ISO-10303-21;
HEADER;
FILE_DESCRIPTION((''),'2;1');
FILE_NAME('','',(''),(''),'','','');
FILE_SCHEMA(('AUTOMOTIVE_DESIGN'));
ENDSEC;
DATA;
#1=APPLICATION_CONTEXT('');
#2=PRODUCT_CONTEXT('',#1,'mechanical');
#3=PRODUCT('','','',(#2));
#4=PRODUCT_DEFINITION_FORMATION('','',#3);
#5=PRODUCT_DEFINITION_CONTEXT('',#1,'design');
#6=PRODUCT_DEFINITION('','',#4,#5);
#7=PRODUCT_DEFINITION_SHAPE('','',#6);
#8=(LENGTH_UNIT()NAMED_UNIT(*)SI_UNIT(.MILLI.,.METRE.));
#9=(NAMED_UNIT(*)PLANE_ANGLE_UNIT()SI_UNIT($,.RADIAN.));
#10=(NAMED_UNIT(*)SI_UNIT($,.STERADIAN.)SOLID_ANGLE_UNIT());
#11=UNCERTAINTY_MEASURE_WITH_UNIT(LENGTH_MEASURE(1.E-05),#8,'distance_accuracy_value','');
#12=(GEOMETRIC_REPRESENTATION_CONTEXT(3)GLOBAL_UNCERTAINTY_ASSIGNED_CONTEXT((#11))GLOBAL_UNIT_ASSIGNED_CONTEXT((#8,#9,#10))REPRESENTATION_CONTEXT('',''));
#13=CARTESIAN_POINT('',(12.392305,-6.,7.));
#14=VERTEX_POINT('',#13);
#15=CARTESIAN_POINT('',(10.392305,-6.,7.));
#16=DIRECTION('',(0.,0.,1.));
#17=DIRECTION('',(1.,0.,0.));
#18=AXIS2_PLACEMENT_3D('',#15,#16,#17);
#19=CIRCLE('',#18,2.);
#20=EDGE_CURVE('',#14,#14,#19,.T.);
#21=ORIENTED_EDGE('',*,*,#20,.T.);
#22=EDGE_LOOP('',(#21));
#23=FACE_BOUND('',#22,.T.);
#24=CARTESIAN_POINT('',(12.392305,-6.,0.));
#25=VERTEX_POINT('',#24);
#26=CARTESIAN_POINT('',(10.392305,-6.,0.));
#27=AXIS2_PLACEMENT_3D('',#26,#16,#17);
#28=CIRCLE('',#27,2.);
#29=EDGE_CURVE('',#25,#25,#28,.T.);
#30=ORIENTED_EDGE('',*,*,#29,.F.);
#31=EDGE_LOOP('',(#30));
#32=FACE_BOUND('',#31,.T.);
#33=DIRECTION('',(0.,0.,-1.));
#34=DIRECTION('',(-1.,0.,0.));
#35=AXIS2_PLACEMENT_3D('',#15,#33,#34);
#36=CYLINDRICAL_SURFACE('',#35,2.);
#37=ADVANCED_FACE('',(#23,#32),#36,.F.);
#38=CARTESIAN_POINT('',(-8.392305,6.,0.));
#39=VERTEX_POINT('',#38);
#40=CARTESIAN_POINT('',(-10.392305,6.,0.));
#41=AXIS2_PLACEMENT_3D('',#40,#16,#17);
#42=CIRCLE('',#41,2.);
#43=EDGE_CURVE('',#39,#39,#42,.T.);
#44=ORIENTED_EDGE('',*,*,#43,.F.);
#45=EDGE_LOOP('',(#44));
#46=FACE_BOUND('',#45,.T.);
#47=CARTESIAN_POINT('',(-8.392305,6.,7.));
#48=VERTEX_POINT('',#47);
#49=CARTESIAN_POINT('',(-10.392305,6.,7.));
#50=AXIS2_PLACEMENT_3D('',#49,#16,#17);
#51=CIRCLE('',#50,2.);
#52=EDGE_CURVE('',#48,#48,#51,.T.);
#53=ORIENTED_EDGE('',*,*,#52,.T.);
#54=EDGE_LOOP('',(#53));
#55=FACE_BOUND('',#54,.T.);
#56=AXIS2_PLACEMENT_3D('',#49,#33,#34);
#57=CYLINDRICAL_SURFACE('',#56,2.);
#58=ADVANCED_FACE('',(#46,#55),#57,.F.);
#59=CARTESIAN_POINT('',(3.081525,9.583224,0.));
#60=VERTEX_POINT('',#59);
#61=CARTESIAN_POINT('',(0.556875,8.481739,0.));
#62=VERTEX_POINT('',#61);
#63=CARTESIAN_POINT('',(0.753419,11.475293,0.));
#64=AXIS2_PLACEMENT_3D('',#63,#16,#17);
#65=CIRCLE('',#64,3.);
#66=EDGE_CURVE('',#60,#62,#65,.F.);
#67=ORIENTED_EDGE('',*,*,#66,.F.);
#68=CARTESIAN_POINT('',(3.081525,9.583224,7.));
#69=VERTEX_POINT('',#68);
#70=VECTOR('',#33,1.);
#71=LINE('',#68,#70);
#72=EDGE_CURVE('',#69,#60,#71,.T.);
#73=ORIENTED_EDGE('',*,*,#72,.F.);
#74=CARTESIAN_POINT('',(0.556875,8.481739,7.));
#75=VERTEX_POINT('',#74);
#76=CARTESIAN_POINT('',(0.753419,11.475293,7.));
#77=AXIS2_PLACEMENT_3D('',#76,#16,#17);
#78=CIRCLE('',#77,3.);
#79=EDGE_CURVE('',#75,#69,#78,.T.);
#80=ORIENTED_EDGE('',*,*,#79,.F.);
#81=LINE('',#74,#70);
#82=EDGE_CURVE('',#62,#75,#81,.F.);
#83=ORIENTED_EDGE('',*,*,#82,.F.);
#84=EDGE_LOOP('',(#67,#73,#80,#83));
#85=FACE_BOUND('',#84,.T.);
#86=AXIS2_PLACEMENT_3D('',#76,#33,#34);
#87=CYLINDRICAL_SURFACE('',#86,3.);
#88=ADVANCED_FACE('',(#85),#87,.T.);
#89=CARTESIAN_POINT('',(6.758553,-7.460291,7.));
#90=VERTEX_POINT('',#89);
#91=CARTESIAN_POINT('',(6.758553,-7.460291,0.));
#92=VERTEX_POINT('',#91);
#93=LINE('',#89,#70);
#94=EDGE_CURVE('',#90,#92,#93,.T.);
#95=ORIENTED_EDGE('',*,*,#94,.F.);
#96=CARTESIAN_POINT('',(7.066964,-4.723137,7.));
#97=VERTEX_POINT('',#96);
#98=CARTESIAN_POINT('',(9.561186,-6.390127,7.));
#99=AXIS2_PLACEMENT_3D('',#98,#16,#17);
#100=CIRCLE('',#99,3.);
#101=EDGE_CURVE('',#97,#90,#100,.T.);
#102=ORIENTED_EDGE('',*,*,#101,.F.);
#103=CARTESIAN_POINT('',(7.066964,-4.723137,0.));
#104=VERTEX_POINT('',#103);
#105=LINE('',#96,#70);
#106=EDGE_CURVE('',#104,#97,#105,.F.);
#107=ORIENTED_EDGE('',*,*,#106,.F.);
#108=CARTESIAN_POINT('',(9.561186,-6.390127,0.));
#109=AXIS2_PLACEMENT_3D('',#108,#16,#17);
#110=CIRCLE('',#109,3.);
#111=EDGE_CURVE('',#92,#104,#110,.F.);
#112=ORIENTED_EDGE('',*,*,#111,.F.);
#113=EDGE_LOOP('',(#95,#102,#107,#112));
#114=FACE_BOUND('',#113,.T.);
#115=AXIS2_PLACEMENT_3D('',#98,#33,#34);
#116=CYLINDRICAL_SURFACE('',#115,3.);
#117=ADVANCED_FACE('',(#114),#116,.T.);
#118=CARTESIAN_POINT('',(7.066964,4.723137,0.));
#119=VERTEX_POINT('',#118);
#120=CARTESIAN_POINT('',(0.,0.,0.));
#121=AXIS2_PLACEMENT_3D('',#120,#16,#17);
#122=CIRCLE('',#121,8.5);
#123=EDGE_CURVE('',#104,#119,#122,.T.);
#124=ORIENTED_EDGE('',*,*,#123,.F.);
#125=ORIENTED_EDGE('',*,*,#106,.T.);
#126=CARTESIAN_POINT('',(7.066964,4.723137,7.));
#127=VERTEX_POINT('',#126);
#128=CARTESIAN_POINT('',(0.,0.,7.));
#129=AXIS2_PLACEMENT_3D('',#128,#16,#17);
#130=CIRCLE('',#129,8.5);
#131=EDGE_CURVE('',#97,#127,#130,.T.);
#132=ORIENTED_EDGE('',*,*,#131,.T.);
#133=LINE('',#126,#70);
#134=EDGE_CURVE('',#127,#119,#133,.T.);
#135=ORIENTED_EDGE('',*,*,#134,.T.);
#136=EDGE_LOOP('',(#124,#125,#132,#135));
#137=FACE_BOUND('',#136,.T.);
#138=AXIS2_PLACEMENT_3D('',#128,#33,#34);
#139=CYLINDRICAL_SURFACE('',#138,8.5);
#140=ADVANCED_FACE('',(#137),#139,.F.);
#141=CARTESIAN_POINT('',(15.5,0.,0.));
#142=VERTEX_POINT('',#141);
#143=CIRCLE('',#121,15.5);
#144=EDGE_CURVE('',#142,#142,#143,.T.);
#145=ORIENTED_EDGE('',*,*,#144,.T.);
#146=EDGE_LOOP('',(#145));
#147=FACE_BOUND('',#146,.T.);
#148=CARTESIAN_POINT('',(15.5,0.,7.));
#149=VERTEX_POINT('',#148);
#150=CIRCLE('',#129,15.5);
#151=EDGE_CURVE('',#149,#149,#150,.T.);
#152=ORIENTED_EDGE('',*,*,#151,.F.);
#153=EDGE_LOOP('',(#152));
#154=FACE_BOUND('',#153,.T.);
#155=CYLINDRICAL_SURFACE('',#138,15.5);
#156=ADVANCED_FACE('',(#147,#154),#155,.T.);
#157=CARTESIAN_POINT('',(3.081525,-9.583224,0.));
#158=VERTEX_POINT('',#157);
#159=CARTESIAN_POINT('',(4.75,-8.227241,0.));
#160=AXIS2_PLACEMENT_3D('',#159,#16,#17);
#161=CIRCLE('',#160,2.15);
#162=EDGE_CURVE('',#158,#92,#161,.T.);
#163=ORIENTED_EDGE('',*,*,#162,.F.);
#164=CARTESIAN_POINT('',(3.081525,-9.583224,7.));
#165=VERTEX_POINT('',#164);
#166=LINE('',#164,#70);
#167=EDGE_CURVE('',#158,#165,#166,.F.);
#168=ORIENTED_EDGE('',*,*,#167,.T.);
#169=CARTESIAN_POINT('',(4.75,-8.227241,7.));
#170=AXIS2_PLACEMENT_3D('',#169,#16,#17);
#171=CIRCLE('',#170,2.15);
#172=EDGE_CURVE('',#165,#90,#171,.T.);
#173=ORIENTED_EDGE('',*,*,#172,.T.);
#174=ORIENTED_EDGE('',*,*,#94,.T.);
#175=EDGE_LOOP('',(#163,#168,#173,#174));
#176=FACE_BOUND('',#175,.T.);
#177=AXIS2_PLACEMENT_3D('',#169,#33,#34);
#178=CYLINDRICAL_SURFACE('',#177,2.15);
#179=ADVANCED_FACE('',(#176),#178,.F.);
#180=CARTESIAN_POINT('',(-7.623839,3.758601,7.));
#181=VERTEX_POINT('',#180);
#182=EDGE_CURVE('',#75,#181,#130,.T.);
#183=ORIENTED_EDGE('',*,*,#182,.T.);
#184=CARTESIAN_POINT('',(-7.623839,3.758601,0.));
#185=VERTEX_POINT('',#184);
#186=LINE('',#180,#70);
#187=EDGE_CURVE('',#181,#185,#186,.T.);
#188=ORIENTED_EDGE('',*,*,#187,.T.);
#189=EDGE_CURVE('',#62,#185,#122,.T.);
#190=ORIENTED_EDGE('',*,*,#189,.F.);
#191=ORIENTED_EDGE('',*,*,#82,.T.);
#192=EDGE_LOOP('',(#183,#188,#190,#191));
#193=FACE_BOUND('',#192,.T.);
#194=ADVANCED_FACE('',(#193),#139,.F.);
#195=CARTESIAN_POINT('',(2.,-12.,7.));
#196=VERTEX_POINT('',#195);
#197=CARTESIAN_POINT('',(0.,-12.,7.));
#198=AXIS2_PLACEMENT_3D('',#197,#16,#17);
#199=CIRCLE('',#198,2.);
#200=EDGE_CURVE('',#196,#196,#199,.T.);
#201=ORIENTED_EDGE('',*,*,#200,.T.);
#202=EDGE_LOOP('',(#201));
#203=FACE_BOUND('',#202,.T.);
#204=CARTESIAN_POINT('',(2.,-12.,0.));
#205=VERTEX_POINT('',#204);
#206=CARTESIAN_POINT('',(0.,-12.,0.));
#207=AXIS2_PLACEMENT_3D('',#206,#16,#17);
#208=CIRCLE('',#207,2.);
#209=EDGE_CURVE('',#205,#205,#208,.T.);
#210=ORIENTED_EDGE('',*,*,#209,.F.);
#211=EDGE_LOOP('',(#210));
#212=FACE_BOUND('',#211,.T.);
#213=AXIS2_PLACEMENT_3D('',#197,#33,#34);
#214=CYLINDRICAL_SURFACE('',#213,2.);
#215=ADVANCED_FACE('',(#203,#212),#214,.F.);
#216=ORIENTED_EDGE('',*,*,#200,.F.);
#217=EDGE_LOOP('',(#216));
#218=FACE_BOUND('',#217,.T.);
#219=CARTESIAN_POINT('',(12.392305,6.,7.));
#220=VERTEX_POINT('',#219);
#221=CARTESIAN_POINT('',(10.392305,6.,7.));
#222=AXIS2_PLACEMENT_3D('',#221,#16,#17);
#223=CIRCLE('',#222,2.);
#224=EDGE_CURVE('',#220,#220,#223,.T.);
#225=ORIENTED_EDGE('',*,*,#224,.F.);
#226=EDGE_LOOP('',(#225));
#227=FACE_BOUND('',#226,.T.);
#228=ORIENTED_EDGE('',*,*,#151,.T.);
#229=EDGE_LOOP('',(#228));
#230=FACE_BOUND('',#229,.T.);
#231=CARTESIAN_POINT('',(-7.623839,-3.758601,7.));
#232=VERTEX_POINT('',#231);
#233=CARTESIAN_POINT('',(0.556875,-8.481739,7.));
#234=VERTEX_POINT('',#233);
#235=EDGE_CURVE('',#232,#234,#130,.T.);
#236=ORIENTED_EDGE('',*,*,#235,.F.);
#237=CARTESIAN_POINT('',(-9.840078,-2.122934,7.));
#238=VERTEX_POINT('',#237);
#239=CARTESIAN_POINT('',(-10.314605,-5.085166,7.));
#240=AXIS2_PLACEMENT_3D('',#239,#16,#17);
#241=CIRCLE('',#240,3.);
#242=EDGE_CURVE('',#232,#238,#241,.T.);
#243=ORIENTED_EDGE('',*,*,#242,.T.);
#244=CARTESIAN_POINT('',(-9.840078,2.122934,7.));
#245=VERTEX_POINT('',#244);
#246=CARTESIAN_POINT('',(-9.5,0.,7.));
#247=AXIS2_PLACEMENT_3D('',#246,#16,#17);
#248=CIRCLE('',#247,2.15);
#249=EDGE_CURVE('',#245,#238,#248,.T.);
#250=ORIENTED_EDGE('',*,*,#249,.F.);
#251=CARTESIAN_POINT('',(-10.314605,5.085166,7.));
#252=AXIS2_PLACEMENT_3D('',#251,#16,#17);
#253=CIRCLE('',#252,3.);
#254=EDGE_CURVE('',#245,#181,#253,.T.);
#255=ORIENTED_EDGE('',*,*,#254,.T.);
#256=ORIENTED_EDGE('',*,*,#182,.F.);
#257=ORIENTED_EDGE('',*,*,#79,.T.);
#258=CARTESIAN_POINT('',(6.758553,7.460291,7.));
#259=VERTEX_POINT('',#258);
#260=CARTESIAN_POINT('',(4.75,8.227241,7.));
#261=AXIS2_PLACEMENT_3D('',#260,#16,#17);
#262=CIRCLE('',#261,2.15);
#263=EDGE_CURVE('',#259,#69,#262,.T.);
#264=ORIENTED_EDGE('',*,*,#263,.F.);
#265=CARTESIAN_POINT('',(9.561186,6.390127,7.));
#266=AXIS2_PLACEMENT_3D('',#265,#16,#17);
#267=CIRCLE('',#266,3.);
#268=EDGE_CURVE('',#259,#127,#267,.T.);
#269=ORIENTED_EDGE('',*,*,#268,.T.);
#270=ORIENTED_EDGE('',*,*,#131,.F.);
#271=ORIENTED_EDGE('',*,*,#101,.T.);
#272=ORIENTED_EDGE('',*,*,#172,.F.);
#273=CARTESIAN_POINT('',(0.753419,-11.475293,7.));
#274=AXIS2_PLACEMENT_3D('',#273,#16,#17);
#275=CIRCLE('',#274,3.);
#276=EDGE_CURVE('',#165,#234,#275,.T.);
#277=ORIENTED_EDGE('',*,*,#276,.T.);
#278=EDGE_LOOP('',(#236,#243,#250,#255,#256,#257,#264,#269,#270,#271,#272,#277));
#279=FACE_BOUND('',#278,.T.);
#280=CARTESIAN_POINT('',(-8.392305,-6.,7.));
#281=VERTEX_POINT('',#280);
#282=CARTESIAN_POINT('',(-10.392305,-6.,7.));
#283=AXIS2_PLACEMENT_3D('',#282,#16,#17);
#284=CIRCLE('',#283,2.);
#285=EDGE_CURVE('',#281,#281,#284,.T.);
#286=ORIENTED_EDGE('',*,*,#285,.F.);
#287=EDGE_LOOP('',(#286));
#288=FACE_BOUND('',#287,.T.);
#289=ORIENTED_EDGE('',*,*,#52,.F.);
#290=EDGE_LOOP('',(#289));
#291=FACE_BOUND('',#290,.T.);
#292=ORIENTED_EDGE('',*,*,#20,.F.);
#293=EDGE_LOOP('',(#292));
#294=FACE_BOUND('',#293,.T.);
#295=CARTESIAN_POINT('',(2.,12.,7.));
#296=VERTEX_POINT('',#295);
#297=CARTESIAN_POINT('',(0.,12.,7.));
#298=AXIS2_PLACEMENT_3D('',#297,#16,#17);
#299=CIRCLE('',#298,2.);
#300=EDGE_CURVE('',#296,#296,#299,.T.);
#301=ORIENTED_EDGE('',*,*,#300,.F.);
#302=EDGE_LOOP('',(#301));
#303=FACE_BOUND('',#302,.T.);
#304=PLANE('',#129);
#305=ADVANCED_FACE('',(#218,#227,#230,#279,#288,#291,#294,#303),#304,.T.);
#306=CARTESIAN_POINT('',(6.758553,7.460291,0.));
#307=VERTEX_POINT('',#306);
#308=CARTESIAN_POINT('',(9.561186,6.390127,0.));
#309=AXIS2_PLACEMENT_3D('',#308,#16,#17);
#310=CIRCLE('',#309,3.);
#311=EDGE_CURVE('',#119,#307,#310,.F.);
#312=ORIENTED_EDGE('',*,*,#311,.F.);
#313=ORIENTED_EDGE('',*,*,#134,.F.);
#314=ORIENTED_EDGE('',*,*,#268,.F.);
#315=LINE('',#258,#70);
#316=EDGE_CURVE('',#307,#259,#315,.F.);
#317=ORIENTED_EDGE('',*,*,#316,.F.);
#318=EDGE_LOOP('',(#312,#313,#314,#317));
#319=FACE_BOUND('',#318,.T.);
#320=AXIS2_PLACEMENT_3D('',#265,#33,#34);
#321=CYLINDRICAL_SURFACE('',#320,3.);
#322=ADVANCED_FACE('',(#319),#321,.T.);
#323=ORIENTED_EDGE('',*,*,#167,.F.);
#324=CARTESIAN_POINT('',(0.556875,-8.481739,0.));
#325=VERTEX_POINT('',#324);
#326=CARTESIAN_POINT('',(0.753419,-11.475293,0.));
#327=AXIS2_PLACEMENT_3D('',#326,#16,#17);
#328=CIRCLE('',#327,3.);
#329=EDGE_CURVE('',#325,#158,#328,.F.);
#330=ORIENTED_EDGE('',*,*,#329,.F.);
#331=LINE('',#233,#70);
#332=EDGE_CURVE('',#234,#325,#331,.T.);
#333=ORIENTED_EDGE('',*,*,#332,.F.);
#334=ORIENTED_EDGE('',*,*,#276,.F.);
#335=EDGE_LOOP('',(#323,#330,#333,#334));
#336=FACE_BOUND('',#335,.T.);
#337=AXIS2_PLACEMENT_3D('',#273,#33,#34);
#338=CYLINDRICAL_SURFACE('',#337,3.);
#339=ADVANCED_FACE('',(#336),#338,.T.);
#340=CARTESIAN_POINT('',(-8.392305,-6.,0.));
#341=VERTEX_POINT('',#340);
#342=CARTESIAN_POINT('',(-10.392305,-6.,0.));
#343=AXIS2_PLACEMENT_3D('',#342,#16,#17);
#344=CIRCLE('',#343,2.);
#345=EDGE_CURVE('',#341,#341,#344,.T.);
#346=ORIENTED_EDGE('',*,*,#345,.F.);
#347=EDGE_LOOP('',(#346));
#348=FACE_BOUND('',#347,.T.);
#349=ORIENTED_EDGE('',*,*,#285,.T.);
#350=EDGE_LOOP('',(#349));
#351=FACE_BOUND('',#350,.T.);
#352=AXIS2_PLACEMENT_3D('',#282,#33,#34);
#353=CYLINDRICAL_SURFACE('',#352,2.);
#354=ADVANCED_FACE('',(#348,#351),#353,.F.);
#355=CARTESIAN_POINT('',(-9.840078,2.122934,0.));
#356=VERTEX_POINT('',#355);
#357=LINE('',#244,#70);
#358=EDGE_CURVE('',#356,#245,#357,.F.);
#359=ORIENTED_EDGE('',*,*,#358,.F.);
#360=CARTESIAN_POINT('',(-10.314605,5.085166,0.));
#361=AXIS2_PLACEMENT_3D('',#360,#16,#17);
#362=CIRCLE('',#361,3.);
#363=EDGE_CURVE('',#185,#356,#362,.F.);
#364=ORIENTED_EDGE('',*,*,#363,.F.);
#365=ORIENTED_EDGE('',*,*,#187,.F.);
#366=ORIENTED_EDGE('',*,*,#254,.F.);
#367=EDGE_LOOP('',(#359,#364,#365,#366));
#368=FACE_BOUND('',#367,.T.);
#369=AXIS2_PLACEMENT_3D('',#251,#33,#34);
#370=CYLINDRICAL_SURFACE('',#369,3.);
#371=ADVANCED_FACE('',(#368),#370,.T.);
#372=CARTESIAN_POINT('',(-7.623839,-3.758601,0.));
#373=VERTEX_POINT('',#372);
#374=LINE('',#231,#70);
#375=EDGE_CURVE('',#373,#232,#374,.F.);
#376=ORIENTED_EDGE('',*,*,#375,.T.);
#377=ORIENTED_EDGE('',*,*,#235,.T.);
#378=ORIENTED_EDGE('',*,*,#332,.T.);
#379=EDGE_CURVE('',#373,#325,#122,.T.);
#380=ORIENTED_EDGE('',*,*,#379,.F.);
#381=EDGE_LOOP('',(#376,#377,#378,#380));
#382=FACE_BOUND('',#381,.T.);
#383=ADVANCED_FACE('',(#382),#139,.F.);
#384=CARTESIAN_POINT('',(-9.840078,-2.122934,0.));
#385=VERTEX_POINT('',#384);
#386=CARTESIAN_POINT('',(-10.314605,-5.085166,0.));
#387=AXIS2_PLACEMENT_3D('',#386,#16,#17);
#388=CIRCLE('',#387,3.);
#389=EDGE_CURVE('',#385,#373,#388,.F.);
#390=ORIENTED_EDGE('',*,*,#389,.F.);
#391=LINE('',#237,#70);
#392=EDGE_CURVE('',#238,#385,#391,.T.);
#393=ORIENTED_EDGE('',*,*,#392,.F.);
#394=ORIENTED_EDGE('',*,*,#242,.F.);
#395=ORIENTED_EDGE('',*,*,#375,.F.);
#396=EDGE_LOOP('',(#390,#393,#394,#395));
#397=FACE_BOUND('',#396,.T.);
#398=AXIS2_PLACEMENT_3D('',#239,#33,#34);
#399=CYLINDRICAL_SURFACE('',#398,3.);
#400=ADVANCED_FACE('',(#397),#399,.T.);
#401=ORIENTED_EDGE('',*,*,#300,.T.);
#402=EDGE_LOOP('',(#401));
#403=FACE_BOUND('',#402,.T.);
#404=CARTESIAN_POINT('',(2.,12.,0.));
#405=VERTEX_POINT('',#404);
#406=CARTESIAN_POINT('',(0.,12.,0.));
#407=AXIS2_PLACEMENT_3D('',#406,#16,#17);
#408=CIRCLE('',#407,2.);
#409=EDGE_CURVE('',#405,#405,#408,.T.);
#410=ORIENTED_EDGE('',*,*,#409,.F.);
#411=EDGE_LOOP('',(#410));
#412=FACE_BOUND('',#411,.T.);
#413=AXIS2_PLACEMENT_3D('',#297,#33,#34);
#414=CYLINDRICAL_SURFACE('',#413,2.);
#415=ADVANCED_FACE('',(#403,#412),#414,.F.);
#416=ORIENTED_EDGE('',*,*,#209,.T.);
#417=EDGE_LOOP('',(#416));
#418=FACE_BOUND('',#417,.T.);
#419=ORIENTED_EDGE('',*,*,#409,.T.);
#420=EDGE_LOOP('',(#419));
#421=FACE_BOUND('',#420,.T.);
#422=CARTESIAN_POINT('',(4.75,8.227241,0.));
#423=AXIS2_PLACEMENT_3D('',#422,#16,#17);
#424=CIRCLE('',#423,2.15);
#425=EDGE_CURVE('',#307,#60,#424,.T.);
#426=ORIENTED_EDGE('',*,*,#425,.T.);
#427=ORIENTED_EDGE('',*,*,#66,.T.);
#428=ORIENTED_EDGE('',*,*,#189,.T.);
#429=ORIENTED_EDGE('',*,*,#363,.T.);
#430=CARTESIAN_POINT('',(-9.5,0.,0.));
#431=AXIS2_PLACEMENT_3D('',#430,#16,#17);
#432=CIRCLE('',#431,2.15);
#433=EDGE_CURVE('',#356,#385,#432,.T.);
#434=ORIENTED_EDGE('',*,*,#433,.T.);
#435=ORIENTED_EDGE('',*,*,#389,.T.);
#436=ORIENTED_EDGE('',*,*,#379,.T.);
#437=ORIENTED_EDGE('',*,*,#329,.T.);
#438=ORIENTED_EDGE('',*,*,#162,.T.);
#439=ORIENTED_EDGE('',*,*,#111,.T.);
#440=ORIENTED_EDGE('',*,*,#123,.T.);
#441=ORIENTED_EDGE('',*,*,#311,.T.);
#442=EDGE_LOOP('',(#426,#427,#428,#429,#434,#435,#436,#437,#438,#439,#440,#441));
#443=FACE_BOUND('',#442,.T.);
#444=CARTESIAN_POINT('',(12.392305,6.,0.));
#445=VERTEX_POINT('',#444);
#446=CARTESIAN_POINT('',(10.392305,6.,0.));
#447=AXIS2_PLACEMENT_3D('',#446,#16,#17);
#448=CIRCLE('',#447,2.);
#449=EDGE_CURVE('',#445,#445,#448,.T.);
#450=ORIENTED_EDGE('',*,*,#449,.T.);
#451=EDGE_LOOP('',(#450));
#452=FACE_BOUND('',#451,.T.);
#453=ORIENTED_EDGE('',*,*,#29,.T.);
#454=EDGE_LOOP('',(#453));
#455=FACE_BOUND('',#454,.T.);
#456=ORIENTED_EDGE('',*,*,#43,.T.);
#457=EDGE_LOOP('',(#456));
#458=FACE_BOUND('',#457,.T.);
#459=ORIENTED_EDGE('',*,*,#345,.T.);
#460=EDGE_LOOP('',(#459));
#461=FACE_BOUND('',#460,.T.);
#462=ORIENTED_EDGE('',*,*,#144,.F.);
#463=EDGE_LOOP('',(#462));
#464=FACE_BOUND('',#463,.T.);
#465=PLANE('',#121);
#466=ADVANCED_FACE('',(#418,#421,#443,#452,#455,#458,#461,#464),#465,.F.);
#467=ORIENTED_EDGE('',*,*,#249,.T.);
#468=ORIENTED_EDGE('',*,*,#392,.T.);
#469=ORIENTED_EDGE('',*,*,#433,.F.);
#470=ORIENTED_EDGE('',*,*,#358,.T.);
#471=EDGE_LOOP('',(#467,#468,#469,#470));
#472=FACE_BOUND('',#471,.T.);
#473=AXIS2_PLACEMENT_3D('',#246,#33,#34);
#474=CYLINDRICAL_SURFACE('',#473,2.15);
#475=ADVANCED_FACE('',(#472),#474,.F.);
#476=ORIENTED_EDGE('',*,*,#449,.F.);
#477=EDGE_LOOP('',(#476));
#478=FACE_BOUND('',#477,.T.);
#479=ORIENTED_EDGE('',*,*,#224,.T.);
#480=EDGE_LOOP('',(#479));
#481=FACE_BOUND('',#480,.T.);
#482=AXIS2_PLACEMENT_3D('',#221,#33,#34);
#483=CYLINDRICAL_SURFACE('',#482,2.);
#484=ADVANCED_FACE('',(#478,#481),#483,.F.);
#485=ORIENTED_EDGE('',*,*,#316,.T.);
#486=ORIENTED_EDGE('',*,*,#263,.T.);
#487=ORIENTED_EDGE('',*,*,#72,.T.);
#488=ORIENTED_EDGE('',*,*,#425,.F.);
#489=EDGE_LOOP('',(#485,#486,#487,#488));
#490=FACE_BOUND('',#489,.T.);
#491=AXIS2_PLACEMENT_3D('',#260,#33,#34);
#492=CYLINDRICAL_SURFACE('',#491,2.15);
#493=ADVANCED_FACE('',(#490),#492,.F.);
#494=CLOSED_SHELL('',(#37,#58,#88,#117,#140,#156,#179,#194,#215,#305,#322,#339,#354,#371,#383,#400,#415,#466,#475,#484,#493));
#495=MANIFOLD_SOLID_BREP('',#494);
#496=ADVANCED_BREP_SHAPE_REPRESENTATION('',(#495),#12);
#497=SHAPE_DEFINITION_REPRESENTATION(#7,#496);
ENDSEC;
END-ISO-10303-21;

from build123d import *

# Parameters (mm, degrees)
SKETCH_1_R      = 15.5
SKETCH_1_R_2    = 2
EXTRUDE_1_DEPTH = 7
FILLET_1_R      = 3


with BuildPart() as part:
    # 草图1 → 凸台-拉伸1 (new body)
    with BuildSketch(Plane.XY):
        Circle(SKETCH_1_R)
        with Locations((-10.392304845, -6)):
            Circle(SKETCH_1_R_2, mode=Mode.SUBTRACT)
        with Locations((0, -12)):
            Circle(SKETCH_1_R_2, mode=Mode.SUBTRACT)
        with Locations((10.392304845, -6)):
            Circle(SKETCH_1_R_2, mode=Mode.SUBTRACT)
        with Locations((-10.392304845, 6)):
            Circle(SKETCH_1_R_2, mode=Mode.SUBTRACT)
        with BuildLine():
            ThreePointArc((2.604308084, 8.091203829), (4.681947148, 10.376164045), (6.9, 8.227241336))
            ThreePointArc((6.9, 8.227241336), (6.576995231, 7.093844482), (5.705034021, 6.300998875))
            ThreePointArc((5.705034021, 6.300998875), (7.769903126, 3.446535276), (8.5, 0))
            ThreePointArc((8.5, 0), (7.769903126, -3.446535276), (5.705034021, -6.300998875))
            ThreePointArc((5.705034021, -6.300998875), (6.576995231, -7.093844482), (6.9, -8.227241336))
            ThreePointArc((6.9, -8.227241336), (4.681947148, -10.376164045), (2.604308084, -8.091203829))
            ThreePointArc((2.604308084, -8.091203829), (-4.25, -7.361215932), (-8.309342105, -1.790204954))
            ThreePointArc((-8.309342105, -1.790204954), (-11.65, 0), (-8.309342105, 1.790204954))
            ThreePointArc((-8.309342105, 1.790204954), (-4.25, 7.361215932), (2.604308084, 8.091203829))
        make_face(mode=Mode.SUBTRACT)
        with Locations((10.392304845, 6)):
            Circle(SKETCH_1_R_2, mode=Mode.SUBTRACT)
        with Locations((0, 12)):
            Circle(SKETCH_1_R_2, mode=Mode.SUBTRACT)
    extrude(amount=EXTRUDE_1_DEPTH)

    # 圆角1
    fillet_1_edges = [part.edges().sort_by_distance(p)[0] for p in [
        (-8.309342105, 1.790204954, 3.5),
        (-8.309342105, -1.790204954, 3.5),
        (2.604308084, -8.091203829, 3.5),
        (5.705034021, -6.300998875, 3.5),
        (5.705034021, 6.300998875, 3.5),
        (2.604308084, 8.091203829, 3.5),
    ]]
    fillet(fillet_1_edges, radius=FILLET_1_R)


solid = part.part
